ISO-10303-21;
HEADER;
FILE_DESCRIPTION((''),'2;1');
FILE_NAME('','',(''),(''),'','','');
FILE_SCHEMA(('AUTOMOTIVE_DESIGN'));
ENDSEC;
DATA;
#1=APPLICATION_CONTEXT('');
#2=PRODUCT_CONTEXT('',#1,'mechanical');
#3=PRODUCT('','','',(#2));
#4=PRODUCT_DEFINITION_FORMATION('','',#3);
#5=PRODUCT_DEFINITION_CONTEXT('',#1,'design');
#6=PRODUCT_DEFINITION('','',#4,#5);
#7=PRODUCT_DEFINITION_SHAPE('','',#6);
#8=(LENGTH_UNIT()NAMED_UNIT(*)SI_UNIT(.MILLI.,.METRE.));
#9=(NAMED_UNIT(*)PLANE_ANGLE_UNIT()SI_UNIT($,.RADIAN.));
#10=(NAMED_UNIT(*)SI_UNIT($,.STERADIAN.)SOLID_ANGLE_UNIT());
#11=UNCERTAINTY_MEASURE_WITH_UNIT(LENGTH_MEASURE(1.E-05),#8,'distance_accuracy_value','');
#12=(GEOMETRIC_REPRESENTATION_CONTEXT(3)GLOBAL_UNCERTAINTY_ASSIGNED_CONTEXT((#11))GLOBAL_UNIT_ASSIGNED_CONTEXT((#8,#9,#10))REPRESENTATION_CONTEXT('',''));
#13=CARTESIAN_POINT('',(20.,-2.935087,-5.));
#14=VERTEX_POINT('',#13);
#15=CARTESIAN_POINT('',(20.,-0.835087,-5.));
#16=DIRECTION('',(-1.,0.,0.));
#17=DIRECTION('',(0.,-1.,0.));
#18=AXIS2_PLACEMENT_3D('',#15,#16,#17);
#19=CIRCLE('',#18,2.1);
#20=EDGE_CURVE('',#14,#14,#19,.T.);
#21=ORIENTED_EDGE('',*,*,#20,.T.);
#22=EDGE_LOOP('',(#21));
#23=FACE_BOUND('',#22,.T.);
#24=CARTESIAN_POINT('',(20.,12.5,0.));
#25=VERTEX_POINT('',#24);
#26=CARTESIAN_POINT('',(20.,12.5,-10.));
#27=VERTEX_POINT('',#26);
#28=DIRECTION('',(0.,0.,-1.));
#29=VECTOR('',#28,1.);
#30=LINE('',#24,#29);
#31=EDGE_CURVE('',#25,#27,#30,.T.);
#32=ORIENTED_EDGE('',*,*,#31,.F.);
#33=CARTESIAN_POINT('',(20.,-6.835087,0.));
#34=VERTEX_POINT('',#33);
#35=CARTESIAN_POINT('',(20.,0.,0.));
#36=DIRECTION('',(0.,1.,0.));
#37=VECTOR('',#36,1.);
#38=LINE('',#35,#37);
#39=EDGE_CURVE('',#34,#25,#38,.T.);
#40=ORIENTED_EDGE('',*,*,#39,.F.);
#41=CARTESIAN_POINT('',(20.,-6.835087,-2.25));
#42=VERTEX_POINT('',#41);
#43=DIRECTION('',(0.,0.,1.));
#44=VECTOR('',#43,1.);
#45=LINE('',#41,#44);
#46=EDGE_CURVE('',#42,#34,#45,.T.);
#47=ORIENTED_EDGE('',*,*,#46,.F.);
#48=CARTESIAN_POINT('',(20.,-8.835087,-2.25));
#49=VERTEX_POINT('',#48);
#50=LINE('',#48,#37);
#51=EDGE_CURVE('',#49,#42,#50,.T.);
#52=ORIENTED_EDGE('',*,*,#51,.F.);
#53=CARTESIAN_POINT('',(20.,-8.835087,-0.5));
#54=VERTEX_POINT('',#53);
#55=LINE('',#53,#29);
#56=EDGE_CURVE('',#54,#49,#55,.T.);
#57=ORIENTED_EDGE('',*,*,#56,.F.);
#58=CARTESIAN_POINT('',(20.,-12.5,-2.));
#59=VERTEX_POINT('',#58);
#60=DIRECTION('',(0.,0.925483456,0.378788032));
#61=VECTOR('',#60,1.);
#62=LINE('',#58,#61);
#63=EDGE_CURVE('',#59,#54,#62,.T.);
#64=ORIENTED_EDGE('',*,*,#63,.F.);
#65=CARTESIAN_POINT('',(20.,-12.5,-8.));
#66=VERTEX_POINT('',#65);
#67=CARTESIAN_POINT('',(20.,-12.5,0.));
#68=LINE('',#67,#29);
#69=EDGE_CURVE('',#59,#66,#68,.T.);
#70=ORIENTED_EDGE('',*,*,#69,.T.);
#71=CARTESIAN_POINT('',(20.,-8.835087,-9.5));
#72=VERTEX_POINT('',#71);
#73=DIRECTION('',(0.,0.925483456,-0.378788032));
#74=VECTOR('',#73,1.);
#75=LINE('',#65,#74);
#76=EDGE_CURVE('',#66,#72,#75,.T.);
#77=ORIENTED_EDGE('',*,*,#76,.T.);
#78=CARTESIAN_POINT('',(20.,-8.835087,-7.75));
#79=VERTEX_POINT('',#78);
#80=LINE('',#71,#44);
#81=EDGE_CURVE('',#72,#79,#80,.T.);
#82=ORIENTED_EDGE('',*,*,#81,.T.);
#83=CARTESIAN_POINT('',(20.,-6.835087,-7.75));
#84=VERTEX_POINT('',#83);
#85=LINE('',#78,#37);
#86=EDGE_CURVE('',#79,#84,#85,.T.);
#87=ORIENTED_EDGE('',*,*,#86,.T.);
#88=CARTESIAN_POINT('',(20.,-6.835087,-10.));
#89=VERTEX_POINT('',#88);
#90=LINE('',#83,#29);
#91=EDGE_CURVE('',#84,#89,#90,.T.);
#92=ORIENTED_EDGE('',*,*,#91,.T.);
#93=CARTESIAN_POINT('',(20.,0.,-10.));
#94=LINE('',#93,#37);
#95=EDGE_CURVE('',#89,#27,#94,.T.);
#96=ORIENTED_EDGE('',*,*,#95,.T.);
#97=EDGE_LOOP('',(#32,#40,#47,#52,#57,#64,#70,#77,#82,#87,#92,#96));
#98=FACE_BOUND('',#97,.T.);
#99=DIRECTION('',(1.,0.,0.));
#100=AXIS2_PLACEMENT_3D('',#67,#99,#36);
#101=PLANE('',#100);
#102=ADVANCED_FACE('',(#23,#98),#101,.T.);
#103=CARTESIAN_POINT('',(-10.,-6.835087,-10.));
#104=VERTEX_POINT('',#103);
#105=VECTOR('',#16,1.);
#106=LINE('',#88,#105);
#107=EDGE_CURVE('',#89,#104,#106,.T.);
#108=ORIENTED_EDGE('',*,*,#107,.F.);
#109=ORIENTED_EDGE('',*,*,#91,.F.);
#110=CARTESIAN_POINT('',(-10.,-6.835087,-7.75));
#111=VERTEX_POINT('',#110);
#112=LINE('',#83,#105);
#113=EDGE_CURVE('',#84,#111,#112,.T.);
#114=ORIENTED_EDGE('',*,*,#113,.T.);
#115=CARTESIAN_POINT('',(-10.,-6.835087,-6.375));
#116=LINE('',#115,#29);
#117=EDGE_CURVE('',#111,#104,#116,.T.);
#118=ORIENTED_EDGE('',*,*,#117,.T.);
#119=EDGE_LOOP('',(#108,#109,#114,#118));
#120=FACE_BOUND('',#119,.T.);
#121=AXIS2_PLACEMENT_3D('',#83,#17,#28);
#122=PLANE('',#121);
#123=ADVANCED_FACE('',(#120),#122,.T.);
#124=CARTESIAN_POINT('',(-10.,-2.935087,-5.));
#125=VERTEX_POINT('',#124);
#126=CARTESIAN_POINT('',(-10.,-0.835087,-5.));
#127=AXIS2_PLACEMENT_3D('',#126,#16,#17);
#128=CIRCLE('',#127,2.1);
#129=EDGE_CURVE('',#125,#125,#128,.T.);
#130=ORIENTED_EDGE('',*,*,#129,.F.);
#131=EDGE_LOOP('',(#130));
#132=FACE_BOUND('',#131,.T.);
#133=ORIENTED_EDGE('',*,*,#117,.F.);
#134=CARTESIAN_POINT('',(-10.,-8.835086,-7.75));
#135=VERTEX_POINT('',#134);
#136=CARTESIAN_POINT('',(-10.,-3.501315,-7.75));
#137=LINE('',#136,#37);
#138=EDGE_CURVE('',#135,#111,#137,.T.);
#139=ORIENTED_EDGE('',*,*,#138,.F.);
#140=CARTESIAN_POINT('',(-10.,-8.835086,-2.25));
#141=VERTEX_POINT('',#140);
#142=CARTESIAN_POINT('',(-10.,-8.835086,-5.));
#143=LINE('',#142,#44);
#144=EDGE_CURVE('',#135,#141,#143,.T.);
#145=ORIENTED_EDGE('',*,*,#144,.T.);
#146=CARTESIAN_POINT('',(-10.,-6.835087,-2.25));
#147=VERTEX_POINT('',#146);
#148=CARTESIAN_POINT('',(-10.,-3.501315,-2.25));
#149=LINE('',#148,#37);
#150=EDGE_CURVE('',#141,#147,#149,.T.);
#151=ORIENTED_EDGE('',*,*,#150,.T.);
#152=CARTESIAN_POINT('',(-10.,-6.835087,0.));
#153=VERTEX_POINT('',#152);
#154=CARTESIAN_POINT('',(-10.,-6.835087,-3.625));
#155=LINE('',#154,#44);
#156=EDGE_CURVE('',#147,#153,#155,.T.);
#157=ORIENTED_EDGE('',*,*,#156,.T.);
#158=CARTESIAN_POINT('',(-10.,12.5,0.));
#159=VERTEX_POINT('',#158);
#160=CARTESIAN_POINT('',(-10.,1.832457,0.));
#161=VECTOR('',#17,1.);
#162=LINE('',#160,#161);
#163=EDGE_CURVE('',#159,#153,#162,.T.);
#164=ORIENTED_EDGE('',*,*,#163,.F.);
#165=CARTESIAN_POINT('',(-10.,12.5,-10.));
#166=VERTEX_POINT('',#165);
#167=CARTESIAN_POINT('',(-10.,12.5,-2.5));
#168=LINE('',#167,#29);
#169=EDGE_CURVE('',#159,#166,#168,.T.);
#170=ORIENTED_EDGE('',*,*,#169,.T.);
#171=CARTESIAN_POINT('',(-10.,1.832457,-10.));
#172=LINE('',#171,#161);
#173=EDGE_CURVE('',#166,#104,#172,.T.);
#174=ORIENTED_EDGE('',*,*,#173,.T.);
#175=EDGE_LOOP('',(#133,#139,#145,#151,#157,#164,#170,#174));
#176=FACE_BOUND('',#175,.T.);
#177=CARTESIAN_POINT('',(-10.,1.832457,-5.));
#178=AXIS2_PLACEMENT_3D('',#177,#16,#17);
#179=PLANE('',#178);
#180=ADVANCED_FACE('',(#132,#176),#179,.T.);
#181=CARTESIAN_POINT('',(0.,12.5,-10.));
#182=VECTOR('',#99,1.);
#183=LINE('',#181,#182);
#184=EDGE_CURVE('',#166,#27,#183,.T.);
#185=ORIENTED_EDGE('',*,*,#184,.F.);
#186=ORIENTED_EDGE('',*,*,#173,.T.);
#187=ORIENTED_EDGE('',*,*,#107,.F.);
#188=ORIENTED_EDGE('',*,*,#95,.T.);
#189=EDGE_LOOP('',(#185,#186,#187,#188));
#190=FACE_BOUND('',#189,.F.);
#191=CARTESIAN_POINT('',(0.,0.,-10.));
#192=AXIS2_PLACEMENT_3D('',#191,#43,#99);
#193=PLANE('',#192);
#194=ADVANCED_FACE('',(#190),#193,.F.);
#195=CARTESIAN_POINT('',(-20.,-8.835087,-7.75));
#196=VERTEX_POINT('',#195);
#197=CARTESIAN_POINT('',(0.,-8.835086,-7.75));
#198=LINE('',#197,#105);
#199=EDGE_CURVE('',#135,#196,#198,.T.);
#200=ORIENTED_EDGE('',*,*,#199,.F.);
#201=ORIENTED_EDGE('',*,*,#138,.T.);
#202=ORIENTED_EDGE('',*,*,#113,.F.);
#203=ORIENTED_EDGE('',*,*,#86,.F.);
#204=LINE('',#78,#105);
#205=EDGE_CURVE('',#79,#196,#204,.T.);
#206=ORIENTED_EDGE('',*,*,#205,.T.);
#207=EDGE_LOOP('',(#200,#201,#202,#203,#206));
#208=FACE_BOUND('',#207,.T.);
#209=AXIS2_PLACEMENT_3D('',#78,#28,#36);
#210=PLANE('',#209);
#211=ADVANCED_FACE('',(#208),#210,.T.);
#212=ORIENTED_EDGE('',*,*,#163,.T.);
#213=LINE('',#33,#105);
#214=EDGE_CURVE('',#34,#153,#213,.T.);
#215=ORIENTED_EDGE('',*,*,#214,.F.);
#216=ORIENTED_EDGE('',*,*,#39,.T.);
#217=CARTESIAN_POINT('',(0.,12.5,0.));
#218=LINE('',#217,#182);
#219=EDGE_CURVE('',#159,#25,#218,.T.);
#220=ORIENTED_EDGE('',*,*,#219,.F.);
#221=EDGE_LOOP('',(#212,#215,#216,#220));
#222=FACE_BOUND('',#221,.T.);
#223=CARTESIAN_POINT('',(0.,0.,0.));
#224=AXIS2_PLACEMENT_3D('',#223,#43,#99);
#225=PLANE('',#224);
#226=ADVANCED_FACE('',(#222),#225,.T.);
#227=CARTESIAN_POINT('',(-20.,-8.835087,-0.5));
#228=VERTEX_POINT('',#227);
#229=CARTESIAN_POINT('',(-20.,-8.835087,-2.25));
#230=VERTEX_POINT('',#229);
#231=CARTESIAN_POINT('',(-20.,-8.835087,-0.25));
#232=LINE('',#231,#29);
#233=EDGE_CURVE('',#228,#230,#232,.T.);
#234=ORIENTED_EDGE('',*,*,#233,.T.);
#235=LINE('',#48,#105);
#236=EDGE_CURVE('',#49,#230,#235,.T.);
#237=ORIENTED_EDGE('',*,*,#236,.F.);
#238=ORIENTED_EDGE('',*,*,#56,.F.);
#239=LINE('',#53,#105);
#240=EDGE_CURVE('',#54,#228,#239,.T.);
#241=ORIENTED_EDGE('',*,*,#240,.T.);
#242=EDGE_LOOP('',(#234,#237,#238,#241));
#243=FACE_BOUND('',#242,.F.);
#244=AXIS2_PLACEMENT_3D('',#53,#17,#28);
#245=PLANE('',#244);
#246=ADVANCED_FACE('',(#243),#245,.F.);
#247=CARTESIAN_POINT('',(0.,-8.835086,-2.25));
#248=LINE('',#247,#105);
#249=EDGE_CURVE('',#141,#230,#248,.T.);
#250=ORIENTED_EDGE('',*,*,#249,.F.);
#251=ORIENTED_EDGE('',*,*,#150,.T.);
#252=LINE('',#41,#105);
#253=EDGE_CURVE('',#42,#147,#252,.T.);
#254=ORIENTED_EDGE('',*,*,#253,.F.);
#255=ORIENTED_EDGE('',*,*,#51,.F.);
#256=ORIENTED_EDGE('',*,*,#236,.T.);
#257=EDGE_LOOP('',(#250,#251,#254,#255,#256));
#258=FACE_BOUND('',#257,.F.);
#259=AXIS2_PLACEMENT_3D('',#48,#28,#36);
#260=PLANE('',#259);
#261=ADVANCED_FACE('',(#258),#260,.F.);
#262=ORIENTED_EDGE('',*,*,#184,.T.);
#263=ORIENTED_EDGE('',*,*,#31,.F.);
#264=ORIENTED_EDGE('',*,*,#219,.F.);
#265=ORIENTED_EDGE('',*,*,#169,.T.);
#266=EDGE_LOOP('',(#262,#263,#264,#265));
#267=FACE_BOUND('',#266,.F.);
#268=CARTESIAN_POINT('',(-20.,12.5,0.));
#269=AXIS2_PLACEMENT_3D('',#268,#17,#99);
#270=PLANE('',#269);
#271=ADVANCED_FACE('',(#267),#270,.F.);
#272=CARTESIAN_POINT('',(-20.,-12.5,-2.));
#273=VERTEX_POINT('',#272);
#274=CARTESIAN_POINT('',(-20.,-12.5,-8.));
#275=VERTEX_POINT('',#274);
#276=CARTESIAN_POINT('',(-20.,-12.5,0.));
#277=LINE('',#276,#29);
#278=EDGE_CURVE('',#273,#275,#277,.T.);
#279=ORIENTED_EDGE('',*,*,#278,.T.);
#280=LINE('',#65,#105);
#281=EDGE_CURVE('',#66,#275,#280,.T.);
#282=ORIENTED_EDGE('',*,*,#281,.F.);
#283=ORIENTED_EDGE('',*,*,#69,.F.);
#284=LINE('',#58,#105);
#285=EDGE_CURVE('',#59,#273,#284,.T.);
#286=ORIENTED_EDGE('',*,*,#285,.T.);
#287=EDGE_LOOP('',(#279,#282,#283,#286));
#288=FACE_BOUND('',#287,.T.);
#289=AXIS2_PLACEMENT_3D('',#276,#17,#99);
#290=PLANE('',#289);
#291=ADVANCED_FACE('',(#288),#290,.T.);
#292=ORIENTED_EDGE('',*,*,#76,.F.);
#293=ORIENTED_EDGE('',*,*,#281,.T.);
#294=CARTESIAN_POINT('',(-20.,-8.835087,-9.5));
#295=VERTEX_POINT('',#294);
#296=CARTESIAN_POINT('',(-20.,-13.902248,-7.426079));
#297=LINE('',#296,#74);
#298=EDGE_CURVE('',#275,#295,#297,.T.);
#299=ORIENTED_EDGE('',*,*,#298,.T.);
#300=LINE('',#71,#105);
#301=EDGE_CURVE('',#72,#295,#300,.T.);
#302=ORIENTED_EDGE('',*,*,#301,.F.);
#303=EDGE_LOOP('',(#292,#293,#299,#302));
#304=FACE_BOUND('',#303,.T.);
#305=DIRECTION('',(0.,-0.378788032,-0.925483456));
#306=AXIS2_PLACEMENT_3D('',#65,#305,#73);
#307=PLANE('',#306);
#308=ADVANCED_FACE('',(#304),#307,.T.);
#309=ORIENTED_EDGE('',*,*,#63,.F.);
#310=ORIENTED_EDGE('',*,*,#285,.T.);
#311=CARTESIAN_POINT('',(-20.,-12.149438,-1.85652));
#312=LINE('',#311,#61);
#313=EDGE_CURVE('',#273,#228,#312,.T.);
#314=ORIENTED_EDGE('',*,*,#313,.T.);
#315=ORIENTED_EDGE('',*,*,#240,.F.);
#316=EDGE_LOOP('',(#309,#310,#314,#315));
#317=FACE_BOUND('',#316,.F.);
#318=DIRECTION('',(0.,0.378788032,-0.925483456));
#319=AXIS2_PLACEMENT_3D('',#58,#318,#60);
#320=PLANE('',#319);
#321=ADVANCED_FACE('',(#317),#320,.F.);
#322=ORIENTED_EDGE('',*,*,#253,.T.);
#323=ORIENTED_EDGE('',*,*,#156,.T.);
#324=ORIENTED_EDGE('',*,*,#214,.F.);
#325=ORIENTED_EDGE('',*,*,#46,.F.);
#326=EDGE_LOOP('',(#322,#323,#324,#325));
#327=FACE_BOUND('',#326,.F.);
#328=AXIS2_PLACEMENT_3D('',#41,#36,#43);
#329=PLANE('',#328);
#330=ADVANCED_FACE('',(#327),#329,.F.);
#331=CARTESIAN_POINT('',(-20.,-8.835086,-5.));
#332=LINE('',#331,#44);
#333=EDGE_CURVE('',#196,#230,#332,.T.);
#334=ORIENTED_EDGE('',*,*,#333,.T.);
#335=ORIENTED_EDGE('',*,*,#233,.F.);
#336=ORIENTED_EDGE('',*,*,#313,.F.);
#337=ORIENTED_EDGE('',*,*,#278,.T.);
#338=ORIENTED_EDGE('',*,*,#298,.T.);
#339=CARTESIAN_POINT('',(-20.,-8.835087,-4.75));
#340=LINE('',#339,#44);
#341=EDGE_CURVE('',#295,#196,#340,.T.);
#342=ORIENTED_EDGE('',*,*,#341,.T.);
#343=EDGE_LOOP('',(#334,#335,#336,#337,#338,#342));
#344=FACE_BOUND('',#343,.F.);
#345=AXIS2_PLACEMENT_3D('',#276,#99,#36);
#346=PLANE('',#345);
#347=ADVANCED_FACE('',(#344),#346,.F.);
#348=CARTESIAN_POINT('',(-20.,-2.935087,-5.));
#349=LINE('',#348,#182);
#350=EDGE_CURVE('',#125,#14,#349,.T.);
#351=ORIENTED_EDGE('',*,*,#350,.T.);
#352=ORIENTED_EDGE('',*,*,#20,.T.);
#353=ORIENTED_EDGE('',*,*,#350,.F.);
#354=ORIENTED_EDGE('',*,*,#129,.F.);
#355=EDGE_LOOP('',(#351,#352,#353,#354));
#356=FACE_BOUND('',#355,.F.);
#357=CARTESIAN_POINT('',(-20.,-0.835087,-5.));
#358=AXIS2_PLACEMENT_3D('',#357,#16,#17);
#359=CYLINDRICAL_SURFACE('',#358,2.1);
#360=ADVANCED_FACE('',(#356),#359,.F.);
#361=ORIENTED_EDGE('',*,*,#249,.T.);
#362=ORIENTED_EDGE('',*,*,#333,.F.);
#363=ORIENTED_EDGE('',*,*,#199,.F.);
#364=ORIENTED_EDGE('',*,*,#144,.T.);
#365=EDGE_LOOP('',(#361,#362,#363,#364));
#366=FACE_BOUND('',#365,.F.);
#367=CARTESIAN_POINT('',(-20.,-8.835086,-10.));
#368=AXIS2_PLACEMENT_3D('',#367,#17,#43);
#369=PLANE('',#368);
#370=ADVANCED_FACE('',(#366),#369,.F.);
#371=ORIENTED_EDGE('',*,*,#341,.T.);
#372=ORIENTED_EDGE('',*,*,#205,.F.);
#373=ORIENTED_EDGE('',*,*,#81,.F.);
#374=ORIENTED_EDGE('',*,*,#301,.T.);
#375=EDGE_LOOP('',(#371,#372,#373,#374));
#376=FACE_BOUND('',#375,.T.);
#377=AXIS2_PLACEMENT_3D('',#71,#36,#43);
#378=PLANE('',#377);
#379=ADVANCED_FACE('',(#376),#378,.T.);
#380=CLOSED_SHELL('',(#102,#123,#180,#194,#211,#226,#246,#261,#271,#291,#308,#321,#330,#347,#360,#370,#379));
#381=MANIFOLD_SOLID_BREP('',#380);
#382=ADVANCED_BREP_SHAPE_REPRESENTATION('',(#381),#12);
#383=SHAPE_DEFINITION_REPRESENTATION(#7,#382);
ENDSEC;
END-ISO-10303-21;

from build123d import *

# Parameters (mm, degrees)
SKETCH_W        = 40
SKETCH_H        = 25
PAD_DEPTH       = 10
POCKET_DEPTH    = 40.001
SKETCH002_R     = 2.1
POCKET001_DEPTH = 40.001
SKETCH003_W     = 21.335087
SKETCH003_H     = 10
POCKET002_DEPTH = 10


with BuildPart() as part:
    # Sketch → Pad (new body)
    with BuildSketch(Plane.XY):
        Rectangle(SKETCH_W, SKETCH_H)
    extrude(amount=-PAD_DEPTH)

    # Sketch001 → Pocket (cut, through all)
    with BuildSketch(Plane.YZ.offset(20)):
        Polygon((-8.835087, -0.5), (-8.835087, -2.25), (-6.835087, -2.25), (-6.835087, 0), (-12.5, 0), (-12.5, -2), align=None)
        Polygon((-8.835087, -9.5), (-8.835087, -7.75), (-6.835087, -7.75), (-6.835087, -10), (-12.5, -10), (-12.5, -8), align=None)
    extrude(amount=-POCKET_DEPTH, mode=Mode.SUBTRACT)

    # Sketch002 (on Face5 of Pocket) → Pocket001 (cut, through all)
    with BuildSketch(Plane(origin=(-20, 0, 0), x_dir=(0, -1, 0), z_dir=(-1, 0, 0))):
        with Locations((0.835087, -5)):
            Circle(SKETCH002_R)
    extrude(amount=-POCKET001_DEPTH, mode=Mode.SUBTRACT)

    # Sketch003 (on Face5 of Pocket001) → Pocket002 (cut)
    with BuildSketch(Plane(origin=(-20, 0, 0), x_dir=(0, -1, 0), z_dir=(-1, 0, 0))):
        with Locations((-1.832457, -5)):
            Rectangle(SKETCH003_W, SKETCH003_H)
    extrude(amount=-POCKET002_DEPTH, mode=Mode.SUBTRACT)


solid = part.part
